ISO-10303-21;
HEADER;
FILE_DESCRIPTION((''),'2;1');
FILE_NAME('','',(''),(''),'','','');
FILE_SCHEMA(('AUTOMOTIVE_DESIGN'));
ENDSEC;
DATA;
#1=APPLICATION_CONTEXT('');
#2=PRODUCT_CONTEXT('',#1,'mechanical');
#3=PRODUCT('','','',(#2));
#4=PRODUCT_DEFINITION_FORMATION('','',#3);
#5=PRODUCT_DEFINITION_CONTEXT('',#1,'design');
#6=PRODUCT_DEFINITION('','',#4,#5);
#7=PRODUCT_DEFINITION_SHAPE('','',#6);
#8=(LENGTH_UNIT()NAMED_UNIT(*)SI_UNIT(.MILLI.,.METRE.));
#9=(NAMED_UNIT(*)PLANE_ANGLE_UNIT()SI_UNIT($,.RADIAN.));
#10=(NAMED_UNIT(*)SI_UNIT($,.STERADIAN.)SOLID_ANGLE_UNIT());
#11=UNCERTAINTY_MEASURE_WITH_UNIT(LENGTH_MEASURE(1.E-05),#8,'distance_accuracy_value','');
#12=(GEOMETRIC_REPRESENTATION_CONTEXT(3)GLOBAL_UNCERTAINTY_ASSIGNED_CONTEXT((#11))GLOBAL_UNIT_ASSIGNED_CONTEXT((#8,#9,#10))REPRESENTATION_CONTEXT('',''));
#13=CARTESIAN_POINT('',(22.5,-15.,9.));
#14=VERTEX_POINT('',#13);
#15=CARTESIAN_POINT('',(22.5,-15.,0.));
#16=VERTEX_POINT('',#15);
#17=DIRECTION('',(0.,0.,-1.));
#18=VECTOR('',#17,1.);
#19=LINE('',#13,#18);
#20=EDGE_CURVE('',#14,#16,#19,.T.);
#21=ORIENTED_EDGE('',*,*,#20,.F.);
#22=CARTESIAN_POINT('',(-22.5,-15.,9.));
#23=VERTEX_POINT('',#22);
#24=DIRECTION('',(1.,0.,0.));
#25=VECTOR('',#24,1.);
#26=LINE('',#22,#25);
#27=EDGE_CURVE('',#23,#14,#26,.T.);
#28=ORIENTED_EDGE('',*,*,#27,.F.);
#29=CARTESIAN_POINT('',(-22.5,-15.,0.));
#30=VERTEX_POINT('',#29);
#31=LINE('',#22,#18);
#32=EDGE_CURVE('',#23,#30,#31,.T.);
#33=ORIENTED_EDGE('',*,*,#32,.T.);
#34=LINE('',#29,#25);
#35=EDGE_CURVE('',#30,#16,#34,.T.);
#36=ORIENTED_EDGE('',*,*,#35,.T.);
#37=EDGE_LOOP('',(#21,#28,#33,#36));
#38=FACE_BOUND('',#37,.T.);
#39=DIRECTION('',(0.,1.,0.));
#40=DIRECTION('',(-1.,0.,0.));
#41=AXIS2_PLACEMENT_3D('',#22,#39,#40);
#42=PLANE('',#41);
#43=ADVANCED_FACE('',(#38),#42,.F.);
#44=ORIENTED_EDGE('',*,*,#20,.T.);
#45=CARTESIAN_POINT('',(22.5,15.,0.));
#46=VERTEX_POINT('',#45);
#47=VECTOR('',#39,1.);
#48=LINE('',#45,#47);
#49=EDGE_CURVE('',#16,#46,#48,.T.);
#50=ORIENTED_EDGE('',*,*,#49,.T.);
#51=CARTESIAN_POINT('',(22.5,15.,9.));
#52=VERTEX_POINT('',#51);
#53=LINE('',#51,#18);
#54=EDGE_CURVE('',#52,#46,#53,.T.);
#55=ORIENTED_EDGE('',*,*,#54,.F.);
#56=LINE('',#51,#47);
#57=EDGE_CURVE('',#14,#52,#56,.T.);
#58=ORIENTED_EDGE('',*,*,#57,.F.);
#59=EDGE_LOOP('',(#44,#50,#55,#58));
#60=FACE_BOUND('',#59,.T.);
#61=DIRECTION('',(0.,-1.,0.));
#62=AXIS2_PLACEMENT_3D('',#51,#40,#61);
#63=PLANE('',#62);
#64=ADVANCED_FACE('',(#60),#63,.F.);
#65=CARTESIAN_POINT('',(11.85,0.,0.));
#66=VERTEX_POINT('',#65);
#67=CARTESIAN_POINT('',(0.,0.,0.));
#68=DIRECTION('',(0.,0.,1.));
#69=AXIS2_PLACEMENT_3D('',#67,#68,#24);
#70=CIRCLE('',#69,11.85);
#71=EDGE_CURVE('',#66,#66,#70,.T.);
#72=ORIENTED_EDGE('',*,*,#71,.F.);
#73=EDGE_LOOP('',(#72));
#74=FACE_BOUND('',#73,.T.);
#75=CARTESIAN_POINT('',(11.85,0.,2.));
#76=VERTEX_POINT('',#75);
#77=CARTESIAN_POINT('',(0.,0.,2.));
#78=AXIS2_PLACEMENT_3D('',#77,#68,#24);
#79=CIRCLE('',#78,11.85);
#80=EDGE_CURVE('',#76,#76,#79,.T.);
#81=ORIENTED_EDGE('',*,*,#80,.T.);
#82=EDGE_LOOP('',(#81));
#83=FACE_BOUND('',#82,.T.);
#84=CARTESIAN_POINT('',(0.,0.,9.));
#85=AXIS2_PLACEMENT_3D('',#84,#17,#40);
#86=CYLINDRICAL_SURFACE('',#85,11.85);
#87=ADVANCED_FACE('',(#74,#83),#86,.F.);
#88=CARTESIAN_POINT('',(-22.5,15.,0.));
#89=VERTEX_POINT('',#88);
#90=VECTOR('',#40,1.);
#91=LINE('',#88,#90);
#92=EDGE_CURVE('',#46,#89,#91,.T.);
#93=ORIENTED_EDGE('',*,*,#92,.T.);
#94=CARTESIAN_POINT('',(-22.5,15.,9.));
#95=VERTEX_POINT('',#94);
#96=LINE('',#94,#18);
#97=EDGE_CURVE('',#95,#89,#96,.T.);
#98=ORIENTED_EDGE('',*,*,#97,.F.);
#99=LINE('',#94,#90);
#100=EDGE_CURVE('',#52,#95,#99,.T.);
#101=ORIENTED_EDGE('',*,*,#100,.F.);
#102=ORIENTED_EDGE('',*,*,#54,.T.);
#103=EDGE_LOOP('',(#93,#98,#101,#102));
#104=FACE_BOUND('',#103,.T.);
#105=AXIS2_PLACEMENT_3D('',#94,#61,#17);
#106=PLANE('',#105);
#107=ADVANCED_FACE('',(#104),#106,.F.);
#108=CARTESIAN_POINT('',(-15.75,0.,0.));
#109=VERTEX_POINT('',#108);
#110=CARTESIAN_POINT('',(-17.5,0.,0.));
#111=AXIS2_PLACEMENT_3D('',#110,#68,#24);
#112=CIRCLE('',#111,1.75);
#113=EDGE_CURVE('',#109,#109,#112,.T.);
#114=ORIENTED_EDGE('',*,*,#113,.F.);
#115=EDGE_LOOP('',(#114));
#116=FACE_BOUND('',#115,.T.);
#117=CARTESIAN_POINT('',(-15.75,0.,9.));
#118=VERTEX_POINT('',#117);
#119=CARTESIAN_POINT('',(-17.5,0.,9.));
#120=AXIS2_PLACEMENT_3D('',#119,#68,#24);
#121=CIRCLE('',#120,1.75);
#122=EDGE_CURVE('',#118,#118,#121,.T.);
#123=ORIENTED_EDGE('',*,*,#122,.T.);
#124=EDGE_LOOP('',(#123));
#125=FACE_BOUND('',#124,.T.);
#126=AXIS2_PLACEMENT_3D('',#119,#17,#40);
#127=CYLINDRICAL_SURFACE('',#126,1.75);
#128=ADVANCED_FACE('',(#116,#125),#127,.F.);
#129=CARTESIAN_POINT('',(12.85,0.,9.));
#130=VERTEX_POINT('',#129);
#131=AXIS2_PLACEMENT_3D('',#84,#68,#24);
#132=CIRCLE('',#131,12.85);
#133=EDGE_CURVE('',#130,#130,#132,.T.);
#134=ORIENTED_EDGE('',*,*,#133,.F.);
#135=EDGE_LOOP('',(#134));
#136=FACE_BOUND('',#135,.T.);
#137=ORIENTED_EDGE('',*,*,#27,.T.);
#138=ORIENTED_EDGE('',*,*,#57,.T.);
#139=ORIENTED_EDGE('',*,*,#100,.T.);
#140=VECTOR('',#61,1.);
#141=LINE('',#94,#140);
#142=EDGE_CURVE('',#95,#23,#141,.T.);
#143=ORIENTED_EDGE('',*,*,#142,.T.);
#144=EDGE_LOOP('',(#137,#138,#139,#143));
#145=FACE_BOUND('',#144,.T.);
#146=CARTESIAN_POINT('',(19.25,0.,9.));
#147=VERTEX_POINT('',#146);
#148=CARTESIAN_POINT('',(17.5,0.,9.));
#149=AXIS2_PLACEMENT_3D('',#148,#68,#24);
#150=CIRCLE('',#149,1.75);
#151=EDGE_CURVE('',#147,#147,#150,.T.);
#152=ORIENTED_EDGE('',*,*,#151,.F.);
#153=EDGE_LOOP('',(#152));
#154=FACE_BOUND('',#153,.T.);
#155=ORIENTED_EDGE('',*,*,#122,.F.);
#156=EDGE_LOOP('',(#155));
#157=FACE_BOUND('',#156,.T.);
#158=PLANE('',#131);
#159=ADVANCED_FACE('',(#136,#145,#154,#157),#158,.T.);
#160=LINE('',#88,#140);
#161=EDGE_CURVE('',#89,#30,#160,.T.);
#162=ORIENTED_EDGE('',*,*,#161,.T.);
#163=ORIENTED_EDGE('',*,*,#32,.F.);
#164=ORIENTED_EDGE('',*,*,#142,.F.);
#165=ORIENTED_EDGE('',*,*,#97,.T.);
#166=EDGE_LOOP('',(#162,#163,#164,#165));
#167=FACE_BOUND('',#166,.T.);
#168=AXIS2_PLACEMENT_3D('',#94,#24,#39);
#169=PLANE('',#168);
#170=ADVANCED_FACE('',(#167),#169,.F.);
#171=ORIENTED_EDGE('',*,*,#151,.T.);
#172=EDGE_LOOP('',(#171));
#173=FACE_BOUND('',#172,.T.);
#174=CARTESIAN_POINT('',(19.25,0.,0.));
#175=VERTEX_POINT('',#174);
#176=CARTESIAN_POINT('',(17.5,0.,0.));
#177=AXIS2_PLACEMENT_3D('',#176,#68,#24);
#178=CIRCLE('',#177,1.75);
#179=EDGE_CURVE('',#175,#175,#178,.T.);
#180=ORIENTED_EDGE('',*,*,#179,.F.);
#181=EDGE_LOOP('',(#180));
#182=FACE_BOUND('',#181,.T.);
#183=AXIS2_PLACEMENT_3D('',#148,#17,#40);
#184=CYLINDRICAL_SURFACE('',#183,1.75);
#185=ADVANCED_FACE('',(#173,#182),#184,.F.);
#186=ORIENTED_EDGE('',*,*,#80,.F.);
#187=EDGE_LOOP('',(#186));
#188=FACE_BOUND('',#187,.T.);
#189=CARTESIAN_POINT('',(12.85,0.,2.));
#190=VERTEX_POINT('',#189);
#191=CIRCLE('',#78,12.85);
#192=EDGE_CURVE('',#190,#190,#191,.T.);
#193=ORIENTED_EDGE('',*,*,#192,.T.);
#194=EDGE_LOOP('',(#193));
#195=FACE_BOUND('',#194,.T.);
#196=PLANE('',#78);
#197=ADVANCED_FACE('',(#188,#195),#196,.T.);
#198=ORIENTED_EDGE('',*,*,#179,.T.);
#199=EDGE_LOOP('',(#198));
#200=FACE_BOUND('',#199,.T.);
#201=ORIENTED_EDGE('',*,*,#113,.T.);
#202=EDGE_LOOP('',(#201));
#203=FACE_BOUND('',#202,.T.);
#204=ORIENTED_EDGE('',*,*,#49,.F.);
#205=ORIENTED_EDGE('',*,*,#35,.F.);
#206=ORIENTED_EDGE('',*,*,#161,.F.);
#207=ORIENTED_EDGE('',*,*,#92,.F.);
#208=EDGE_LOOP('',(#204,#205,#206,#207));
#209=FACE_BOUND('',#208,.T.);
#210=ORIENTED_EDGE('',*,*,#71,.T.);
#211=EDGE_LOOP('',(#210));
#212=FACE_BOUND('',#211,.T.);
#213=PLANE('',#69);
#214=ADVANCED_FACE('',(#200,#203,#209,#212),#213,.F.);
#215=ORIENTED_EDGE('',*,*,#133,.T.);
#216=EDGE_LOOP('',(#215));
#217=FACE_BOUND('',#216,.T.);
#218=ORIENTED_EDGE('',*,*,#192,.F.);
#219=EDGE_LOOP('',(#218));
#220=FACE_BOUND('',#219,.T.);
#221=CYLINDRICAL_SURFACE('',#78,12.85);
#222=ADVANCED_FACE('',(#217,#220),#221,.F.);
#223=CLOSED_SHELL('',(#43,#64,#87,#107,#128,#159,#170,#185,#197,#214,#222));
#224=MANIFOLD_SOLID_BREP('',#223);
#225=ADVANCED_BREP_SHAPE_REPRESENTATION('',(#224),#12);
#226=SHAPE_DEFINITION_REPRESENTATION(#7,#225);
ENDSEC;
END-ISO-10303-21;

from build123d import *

# Parameters (mm, degrees)
SKIZZE1_W                       = 45
SKIZZE1_H                       = 30
SKIZZE1_R                       = 11.85
SKIZZE1_R_2                     = 1.75
AUFSATZ_LINEAR_AUSTRAGEN1_DEPTH = 9
SKIZZE3_R                       = 12.85
SCHNITT_LINEAR_AUSTRAGEN1_DEPTH = 7


with BuildPart() as part:
    # Skizze1 → Aufsatz-Linear austragen1 (new body)
    with BuildSketch(Plane.XY):
        Rectangle(SKIZZE1_W, SKIZZE1_H)
        Circle(SKIZZE1_R, mode=Mode.SUBTRACT)
        with Locations((-17.5, 0)):
            Circle(SKIZZE1_R_2, mode=Mode.SUBTRACT)
        with Locations((17.5, 0)):
            Circle(SKIZZE1_R_2, mode=Mode.SUBTRACT)
    extrude(amount=AUFSATZ_LINEAR_AUSTRAGEN1_DEPTH)

    # Skizze3 → Schnitt-Linear austragen1 (cut)
    with BuildSketch(Plane.XY.offset(9)):
        Circle(SKIZZE3_R)
    extrude(amount=-SCHNITT_LINEAR_AUSTRAGEN1_DEPTH, mode=Mode.SUBTRACT)


solid = part.part
